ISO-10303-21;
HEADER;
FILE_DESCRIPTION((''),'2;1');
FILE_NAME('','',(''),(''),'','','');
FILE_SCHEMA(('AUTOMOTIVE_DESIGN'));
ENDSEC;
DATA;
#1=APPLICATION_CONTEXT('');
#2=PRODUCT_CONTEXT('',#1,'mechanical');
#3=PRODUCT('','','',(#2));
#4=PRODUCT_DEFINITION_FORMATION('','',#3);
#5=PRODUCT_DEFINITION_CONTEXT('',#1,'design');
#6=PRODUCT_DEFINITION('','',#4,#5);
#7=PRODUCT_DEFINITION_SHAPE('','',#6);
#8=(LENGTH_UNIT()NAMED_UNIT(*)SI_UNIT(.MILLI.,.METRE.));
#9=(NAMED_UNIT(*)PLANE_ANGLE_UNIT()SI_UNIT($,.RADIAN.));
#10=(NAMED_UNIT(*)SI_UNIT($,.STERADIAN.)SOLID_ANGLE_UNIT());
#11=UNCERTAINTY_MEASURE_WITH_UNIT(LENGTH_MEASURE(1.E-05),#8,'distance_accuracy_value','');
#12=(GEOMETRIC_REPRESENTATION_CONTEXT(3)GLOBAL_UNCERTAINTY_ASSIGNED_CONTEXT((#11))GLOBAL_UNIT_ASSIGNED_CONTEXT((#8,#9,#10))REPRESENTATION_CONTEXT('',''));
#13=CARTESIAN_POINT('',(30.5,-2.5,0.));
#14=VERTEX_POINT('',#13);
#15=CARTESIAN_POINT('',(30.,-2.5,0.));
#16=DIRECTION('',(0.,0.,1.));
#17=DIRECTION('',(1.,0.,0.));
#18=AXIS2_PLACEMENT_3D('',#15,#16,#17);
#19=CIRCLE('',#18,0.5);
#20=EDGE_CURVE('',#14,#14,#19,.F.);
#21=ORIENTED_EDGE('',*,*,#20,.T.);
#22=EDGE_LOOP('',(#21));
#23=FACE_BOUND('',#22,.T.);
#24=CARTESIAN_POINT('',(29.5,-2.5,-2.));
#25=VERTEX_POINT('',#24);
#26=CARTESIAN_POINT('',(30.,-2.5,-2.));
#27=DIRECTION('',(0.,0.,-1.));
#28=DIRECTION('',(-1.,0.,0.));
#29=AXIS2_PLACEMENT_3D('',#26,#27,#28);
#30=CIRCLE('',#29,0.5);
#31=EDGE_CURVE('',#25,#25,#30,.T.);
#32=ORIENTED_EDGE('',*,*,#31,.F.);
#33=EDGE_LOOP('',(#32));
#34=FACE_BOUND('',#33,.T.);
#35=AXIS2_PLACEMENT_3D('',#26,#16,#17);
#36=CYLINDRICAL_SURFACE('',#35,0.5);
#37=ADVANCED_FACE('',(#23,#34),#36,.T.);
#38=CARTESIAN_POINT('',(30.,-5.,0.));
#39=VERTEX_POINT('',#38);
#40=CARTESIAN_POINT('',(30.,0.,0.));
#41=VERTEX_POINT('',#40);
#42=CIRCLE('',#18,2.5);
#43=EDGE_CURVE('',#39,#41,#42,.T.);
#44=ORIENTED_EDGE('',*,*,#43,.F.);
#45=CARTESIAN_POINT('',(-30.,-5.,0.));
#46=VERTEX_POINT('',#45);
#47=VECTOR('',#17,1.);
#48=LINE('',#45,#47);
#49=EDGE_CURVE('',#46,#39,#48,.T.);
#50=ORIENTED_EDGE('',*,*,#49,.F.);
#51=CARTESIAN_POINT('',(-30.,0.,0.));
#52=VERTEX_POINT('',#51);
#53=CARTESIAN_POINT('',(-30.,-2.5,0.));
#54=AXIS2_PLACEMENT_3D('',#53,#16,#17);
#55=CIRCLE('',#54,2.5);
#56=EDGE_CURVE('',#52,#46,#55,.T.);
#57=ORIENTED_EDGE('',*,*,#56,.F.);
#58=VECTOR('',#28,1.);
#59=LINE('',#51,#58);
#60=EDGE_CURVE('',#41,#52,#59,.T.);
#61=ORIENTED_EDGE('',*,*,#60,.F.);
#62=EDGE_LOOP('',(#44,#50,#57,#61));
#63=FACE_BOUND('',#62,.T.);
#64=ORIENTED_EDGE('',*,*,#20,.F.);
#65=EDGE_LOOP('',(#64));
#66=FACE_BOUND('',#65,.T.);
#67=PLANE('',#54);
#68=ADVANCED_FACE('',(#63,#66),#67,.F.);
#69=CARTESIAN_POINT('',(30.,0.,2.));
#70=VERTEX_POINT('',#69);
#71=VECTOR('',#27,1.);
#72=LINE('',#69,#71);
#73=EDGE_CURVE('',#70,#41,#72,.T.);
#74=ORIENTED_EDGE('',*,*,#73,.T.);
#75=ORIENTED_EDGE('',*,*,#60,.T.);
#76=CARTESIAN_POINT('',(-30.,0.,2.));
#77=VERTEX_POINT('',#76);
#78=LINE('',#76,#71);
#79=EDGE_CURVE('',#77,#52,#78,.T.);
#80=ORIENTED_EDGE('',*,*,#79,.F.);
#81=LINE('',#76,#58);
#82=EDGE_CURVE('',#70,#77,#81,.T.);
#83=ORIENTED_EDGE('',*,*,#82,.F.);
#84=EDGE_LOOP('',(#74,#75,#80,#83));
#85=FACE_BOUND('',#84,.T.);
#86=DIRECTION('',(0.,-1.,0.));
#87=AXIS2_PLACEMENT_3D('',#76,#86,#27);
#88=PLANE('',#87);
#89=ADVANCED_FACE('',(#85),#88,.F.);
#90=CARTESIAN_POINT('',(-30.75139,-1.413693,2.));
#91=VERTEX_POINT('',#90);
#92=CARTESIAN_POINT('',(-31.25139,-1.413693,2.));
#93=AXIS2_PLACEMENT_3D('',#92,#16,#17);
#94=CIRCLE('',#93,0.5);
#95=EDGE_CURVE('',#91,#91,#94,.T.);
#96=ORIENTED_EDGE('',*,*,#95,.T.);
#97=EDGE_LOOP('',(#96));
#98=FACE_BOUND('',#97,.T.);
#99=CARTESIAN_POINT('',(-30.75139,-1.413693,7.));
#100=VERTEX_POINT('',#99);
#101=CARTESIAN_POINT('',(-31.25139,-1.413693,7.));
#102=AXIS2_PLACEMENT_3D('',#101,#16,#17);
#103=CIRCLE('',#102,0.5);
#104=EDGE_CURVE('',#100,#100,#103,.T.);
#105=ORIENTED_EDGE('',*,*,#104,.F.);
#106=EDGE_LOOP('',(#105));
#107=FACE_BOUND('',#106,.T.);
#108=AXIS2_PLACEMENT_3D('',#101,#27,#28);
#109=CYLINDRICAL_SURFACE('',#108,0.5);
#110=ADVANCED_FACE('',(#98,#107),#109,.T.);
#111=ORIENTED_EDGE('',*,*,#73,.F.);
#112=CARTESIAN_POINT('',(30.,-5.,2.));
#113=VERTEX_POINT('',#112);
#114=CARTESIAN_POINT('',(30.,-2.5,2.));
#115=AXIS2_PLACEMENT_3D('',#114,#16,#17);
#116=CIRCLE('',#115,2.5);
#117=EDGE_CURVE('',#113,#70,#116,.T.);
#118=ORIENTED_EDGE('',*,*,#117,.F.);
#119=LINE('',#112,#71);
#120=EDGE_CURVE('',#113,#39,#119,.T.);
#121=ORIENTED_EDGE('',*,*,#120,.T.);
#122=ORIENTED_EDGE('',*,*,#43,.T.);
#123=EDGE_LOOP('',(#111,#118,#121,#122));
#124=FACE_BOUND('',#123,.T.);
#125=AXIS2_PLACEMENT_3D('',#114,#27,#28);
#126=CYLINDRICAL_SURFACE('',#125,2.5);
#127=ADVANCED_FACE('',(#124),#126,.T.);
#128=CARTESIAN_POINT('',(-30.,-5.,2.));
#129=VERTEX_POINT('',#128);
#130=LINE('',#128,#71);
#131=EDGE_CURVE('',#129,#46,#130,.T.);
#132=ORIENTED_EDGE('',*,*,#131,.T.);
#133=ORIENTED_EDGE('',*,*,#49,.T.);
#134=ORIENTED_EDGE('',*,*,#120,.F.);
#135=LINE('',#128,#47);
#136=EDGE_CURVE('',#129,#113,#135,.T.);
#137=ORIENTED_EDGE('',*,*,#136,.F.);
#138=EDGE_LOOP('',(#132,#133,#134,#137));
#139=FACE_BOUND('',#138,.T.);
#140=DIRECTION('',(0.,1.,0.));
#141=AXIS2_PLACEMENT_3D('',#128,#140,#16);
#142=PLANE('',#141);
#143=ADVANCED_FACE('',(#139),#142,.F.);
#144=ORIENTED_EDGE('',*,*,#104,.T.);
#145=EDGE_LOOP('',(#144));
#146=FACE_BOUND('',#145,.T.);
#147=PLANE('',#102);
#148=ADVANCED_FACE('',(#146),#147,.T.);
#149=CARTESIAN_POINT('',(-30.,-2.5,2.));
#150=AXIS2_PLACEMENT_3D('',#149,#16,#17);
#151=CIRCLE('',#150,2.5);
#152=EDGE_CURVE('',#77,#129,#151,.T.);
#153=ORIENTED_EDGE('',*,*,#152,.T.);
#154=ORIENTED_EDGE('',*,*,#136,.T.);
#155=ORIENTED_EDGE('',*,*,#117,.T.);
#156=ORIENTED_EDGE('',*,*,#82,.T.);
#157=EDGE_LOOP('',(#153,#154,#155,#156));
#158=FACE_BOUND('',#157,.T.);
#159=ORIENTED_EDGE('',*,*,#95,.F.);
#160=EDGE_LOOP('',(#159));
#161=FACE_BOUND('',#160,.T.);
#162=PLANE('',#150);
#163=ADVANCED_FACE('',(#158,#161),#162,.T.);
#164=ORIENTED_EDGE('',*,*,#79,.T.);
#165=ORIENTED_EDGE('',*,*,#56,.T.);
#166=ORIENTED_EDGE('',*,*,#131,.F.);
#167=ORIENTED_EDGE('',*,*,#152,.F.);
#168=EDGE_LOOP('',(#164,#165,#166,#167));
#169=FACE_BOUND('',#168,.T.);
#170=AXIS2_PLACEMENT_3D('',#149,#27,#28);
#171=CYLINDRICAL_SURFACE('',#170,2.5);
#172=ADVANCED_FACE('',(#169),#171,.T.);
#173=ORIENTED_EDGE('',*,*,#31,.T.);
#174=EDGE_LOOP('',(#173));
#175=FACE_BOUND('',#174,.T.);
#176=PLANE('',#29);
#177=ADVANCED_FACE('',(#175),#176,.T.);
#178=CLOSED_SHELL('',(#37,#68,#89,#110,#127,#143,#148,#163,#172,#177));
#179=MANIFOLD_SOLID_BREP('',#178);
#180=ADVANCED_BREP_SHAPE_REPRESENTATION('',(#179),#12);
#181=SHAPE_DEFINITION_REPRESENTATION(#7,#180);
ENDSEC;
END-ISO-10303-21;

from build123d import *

# Parameters (mm, degrees)
BOSS_EXTRUDE1_DEPTH = 2
SKETCH2_R           = 0.5
BOSS_EXTRUDE2_DEPTH = 2
SKETCH3_R           = 0.5
BOSS_EXTRUDE3_DEPTH = 5


with BuildPart() as part:
    # Sketch1 → Boss-Extrude1 (new body)
    with BuildSketch(Plane.XY):
        with BuildLine():
            Line((-30, 0), (30, 0))
            ThreePointArc((30, 0), (32.5, -2.5), (30, -5))
            Line((30, -5), (-30, -5))
            ThreePointArc((-30, -5), (-32.5, -2.5), (-30, 0))
        make_face()
    extrude(amount=BOSS_EXTRUDE1_DEPTH)

    # Sketch2 → Boss-Extrude2 (add)
    with BuildSketch(Plane(origin=(0, 0, 0), x_dir=(-1, 0, 0), z_dir=(0, 0, -1))):
        with Locations((-30, -2.5)):
            Circle(SKETCH2_R)
    extrude(amount=BOSS_EXTRUDE2_DEPTH)

    # Sketch3 → Boss-Extrude3 (add)
    with BuildSketch(Plane.XY.offset(2)):
        with Locations((-31.251389827, -1.413693431)):
            Circle(SKETCH3_R)
    extrude(amount=BOSS_EXTRUDE3_DEPTH)


solid = part.part
